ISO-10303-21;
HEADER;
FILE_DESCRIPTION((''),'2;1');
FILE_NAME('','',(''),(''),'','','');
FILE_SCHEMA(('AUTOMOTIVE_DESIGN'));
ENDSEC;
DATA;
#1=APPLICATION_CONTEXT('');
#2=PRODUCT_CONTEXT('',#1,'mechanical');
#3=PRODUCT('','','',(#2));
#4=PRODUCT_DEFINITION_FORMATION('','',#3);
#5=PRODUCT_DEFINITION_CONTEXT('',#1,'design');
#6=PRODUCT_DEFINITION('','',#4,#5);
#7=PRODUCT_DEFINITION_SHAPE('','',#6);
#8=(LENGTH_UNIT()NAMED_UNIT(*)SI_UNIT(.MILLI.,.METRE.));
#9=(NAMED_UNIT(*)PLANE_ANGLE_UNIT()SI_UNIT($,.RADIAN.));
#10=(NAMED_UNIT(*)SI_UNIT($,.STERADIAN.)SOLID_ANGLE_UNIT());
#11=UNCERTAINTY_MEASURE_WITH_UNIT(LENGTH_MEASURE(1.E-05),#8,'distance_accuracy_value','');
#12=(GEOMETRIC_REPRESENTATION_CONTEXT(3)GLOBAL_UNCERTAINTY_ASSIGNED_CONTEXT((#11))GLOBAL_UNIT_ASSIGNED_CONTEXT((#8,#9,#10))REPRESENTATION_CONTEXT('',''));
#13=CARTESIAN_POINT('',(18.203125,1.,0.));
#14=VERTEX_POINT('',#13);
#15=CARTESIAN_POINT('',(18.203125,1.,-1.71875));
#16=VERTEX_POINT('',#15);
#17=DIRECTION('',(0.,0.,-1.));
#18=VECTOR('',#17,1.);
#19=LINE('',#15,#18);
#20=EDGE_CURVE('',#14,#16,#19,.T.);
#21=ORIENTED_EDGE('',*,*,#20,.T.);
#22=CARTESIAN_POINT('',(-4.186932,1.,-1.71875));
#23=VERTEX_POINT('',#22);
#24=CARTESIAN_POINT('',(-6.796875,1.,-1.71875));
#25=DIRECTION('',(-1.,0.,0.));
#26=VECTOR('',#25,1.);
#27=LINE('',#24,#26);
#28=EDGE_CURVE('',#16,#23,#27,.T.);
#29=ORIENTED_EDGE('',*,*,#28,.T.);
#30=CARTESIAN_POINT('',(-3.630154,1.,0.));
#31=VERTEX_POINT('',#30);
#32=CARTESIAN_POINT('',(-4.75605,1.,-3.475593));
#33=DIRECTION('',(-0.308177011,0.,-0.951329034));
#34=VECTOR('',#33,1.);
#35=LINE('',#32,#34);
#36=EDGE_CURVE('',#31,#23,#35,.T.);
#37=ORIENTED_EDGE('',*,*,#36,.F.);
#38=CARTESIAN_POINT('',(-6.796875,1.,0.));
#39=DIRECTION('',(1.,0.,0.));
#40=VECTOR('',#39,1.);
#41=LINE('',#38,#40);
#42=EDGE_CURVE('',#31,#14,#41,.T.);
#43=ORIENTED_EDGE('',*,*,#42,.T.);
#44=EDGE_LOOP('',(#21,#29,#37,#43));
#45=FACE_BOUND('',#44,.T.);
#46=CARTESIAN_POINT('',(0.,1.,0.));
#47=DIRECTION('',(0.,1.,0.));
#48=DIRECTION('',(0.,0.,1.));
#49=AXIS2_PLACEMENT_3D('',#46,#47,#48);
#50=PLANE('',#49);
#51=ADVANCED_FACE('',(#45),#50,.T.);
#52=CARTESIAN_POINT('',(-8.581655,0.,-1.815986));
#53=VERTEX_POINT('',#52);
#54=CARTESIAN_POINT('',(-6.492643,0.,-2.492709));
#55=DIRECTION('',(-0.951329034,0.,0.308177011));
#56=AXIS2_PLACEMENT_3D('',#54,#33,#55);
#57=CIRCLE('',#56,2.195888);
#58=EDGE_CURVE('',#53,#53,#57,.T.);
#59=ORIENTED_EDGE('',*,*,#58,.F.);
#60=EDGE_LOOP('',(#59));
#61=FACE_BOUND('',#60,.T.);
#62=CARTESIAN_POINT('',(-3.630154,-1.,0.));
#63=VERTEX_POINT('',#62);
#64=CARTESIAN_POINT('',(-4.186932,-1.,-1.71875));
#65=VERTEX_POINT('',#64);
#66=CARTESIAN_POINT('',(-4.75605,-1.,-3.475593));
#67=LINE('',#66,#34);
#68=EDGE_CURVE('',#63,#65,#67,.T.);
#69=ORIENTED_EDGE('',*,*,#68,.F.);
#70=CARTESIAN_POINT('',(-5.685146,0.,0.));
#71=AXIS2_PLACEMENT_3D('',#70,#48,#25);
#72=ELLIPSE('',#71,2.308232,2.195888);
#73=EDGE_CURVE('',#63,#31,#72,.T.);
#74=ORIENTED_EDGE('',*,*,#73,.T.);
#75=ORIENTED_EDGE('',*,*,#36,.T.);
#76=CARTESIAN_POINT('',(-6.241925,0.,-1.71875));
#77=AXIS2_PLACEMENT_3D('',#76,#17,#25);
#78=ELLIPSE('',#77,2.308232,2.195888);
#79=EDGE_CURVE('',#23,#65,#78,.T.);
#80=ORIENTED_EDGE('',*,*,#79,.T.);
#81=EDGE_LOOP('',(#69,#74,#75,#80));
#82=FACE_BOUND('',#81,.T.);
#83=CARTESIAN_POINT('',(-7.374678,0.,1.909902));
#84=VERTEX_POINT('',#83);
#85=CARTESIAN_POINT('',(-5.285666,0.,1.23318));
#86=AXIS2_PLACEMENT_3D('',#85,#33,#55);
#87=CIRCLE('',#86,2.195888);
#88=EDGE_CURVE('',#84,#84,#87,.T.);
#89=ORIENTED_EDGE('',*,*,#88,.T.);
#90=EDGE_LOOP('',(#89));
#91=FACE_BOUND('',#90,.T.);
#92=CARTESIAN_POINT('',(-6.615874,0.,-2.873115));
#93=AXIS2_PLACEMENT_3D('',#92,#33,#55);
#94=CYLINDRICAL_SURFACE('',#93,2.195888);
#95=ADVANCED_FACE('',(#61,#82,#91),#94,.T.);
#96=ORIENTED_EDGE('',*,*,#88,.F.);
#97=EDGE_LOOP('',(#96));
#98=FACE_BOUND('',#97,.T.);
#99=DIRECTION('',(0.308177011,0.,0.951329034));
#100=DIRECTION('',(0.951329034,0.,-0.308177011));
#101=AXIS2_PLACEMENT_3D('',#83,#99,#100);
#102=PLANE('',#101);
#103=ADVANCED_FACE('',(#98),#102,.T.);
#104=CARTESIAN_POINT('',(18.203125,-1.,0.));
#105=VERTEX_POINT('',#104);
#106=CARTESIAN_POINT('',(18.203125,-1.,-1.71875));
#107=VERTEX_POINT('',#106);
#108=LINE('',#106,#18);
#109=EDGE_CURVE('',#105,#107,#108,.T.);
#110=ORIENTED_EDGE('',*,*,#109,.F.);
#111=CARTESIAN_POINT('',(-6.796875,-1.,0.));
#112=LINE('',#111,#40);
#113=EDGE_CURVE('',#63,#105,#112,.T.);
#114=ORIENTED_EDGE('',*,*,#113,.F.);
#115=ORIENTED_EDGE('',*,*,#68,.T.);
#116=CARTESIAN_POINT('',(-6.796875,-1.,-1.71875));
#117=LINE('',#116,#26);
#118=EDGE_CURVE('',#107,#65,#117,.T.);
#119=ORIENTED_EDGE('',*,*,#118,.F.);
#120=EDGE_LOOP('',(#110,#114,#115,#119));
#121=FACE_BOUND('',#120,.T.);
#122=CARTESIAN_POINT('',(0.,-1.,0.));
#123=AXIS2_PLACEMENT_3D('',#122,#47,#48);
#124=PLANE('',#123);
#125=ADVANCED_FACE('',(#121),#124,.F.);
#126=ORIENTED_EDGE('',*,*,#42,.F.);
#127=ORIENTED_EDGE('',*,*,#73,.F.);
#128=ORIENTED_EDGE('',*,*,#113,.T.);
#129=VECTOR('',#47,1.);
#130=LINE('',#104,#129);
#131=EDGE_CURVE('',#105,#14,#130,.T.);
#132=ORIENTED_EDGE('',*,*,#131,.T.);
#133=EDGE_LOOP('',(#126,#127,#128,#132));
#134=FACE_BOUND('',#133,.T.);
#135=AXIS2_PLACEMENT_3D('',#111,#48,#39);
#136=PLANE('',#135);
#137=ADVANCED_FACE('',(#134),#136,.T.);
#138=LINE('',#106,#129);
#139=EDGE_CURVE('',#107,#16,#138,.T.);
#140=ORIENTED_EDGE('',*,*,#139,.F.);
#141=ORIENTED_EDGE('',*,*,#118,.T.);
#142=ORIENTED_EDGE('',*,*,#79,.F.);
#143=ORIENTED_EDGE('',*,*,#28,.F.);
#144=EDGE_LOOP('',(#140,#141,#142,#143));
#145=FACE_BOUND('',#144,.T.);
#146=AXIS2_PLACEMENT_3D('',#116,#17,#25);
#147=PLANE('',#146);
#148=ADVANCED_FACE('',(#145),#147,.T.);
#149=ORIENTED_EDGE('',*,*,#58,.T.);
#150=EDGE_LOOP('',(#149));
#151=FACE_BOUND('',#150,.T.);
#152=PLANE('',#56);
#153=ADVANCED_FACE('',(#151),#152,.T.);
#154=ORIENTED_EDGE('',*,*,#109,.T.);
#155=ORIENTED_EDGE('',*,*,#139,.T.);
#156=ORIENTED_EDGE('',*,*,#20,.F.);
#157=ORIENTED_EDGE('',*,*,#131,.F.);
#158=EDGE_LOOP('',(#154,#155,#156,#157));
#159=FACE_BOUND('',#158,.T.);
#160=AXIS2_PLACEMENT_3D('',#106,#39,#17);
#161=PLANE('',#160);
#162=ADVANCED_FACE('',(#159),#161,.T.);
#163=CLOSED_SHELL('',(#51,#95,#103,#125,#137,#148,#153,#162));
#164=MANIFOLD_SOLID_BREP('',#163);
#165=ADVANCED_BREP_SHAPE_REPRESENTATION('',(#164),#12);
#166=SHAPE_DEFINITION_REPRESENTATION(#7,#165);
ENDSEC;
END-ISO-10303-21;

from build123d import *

# Parameters (mm, degrees)
SALIENTE_EXTRUIR1_DEPTH      = 1
SALIENTE_EXTRUIR1_DEPTH_BACK = 1
CROQUIS1_W                   = 25
CROQUIS1_H                   = 1.71875


with BuildPart() as part:
    # Croquis1 → Saliente-Extruir1 (new, two sides: drawn at the far end of the back side and taken through both)
    with BuildSketch(Plane(origin=(0, 0, 0), x_dir=(1, 0, 0), z_dir=(0, 1, 0)).offset(-SALIENTE_EXTRUIR1_DEPTH_BACK)):
        with Locations((5.703125, 0.859375)):
            Rectangle(CROQUIS1_W, CROQUIS1_H)
    extrude(amount=SALIENTE_EXTRUIR1_DEPTH + SALIENTE_EXTRUIR1_DEPTH_BACK)

    # Croquis2 → Revolución1 (revolve)
    with BuildSketch(Plane(origin=(0, 0, 0), x_dir=(1, 0, 0), z_dir=(0, 1, 0))):
        Polygon((-6.49264348, 2.492708525), (-8.58165548, 1.815986328), (-7.37467758, -1.909901974), (-5.285665579, -1.233179777), align=None)
    revolve(axis=Axis((-6.615873756, 0, -2.873115032), (0.3081770108524537, 0, 0.9513290335010526)))


solid = part.part
